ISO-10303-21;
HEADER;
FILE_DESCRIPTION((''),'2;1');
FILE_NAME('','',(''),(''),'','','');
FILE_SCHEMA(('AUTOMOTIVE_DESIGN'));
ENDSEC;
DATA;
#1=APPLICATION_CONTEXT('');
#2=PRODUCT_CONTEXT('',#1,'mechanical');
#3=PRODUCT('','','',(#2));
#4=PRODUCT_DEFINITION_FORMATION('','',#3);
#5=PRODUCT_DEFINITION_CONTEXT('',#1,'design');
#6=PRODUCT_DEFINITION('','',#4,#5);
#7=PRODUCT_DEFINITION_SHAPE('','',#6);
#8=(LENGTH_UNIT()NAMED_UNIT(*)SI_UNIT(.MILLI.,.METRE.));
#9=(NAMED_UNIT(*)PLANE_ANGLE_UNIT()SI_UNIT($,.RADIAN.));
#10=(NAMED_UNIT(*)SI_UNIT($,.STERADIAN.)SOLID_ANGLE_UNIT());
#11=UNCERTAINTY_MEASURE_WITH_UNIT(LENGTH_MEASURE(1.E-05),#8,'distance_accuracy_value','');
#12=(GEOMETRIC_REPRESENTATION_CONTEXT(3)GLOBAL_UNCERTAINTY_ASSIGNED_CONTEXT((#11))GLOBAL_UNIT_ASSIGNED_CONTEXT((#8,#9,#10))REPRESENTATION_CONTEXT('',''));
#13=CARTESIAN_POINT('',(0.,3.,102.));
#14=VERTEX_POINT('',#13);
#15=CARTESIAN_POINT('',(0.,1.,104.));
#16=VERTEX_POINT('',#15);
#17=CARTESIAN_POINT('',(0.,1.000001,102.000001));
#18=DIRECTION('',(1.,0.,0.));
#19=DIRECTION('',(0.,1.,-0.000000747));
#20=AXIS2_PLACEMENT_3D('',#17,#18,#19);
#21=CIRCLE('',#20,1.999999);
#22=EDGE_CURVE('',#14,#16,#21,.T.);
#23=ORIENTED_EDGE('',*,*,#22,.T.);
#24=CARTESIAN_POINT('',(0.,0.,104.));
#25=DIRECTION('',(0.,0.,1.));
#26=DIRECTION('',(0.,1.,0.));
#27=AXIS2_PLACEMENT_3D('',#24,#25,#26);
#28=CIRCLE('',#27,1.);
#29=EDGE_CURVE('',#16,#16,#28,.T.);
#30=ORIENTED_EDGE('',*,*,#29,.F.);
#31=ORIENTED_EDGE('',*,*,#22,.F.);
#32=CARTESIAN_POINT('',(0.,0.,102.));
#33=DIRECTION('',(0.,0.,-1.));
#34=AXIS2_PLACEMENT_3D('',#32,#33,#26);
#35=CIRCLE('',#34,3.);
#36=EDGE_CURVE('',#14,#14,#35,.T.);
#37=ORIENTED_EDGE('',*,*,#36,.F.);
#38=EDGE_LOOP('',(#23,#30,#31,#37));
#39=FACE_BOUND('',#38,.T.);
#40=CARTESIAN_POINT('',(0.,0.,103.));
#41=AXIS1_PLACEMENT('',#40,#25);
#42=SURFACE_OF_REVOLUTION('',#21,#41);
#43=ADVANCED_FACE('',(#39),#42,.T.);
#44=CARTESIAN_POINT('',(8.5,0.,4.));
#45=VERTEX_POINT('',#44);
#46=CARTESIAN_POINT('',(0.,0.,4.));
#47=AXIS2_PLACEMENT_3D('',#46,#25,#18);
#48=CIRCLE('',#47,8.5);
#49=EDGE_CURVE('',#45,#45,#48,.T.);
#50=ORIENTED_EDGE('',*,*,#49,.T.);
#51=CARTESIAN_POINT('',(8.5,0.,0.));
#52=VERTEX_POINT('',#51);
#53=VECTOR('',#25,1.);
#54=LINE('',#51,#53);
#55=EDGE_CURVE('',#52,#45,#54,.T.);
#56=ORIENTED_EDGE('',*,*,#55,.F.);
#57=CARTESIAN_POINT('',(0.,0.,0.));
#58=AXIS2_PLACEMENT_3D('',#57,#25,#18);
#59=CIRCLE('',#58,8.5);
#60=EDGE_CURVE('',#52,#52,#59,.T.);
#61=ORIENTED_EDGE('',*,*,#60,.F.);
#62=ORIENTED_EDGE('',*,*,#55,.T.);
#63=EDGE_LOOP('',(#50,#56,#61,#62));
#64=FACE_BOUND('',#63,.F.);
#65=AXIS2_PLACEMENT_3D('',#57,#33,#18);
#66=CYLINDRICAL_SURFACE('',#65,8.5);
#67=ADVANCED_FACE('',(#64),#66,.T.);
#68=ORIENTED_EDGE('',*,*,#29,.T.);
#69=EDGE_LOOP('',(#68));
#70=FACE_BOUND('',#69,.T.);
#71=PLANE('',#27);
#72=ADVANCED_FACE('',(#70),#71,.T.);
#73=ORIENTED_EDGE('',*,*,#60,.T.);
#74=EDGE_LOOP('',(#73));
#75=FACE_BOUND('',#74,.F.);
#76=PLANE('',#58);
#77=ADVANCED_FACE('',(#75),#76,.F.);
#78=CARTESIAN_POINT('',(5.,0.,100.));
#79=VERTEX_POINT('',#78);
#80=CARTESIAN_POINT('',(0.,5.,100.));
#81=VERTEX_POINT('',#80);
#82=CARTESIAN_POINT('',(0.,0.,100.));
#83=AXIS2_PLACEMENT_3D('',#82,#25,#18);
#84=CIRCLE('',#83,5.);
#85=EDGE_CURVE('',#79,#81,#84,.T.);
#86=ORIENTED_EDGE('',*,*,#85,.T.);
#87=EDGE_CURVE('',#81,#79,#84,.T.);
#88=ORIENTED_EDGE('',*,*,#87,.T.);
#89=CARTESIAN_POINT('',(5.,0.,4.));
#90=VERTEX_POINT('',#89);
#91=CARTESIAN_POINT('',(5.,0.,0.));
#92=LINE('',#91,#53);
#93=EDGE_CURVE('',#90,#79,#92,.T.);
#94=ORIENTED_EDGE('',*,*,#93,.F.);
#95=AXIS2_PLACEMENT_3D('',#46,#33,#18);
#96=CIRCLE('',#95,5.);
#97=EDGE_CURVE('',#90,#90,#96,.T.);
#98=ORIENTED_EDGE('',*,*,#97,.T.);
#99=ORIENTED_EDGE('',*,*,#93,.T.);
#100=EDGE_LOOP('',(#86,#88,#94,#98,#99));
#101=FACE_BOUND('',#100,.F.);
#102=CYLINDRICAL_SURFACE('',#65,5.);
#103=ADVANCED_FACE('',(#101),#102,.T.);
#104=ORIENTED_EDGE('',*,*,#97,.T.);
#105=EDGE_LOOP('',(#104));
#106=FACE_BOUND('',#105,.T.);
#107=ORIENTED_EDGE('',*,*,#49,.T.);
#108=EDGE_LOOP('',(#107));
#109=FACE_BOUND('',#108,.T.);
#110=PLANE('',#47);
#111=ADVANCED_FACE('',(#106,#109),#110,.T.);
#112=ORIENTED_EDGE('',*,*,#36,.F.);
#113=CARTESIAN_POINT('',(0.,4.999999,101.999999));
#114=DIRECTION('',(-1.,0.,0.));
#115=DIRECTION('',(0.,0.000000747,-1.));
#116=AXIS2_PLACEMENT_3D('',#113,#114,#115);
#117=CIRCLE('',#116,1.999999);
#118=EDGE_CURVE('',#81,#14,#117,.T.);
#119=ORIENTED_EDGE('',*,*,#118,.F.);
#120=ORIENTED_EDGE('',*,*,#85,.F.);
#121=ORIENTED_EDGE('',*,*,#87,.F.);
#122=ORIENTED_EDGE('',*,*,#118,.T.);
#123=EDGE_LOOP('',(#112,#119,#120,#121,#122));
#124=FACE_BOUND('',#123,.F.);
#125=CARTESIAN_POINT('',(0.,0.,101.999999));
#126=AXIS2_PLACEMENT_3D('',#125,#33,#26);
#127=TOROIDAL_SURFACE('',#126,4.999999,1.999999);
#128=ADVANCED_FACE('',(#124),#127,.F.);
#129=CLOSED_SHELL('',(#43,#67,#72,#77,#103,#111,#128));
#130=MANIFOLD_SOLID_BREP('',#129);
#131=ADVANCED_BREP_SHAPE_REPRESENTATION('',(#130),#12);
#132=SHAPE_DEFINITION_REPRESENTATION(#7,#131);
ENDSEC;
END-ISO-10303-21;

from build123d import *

# Parameters (mm, degrees)
F0_R     = 8.5
F1_DEPTH = 4
F2_R     = 5
F3_DEPTH = 100


with BuildPart() as f1:
    # F0 (on Top) → F1 (new body)
    with BuildSketch(Plane.XY):
        Circle(F0_R)
    extrude(amount=F1_DEPTH)

    # F2 (on Top) → F3 (join)
    with BuildSketch(Plane.XY):
        Circle(F2_R)
    extrude(amount=F3_DEPTH)

    # F4 (on Right) → F5 (revolve)
    with BuildSketch(Plane.YZ):
        with BuildLine():
            Line((3, 102), (0, 102))
            Line((0, 102), (0, 100))
            Line((0, 100), (5, 100))
            ThreePointArc((5, 100), (3.585786, 100.585786), (3, 102))
        make_face()
    revolve(axis=Axis((0, 0, 101), (0, 0, -1)))

    # F6 (on Right) → F7 (revolve)
    with BuildSketch(Plane.YZ):
        with BuildLine():
            Line((0, 104), (0, 102))
            Line((0, 102), (3, 102))
            ThreePointArc((3, 102), (2.414214, 103.414214), (1, 104))
            Line((1, 104), (0, 104))
        make_face()
    revolve(axis=Axis((0, 0, 103), (0, 0, 1)))


solid = f1.part
